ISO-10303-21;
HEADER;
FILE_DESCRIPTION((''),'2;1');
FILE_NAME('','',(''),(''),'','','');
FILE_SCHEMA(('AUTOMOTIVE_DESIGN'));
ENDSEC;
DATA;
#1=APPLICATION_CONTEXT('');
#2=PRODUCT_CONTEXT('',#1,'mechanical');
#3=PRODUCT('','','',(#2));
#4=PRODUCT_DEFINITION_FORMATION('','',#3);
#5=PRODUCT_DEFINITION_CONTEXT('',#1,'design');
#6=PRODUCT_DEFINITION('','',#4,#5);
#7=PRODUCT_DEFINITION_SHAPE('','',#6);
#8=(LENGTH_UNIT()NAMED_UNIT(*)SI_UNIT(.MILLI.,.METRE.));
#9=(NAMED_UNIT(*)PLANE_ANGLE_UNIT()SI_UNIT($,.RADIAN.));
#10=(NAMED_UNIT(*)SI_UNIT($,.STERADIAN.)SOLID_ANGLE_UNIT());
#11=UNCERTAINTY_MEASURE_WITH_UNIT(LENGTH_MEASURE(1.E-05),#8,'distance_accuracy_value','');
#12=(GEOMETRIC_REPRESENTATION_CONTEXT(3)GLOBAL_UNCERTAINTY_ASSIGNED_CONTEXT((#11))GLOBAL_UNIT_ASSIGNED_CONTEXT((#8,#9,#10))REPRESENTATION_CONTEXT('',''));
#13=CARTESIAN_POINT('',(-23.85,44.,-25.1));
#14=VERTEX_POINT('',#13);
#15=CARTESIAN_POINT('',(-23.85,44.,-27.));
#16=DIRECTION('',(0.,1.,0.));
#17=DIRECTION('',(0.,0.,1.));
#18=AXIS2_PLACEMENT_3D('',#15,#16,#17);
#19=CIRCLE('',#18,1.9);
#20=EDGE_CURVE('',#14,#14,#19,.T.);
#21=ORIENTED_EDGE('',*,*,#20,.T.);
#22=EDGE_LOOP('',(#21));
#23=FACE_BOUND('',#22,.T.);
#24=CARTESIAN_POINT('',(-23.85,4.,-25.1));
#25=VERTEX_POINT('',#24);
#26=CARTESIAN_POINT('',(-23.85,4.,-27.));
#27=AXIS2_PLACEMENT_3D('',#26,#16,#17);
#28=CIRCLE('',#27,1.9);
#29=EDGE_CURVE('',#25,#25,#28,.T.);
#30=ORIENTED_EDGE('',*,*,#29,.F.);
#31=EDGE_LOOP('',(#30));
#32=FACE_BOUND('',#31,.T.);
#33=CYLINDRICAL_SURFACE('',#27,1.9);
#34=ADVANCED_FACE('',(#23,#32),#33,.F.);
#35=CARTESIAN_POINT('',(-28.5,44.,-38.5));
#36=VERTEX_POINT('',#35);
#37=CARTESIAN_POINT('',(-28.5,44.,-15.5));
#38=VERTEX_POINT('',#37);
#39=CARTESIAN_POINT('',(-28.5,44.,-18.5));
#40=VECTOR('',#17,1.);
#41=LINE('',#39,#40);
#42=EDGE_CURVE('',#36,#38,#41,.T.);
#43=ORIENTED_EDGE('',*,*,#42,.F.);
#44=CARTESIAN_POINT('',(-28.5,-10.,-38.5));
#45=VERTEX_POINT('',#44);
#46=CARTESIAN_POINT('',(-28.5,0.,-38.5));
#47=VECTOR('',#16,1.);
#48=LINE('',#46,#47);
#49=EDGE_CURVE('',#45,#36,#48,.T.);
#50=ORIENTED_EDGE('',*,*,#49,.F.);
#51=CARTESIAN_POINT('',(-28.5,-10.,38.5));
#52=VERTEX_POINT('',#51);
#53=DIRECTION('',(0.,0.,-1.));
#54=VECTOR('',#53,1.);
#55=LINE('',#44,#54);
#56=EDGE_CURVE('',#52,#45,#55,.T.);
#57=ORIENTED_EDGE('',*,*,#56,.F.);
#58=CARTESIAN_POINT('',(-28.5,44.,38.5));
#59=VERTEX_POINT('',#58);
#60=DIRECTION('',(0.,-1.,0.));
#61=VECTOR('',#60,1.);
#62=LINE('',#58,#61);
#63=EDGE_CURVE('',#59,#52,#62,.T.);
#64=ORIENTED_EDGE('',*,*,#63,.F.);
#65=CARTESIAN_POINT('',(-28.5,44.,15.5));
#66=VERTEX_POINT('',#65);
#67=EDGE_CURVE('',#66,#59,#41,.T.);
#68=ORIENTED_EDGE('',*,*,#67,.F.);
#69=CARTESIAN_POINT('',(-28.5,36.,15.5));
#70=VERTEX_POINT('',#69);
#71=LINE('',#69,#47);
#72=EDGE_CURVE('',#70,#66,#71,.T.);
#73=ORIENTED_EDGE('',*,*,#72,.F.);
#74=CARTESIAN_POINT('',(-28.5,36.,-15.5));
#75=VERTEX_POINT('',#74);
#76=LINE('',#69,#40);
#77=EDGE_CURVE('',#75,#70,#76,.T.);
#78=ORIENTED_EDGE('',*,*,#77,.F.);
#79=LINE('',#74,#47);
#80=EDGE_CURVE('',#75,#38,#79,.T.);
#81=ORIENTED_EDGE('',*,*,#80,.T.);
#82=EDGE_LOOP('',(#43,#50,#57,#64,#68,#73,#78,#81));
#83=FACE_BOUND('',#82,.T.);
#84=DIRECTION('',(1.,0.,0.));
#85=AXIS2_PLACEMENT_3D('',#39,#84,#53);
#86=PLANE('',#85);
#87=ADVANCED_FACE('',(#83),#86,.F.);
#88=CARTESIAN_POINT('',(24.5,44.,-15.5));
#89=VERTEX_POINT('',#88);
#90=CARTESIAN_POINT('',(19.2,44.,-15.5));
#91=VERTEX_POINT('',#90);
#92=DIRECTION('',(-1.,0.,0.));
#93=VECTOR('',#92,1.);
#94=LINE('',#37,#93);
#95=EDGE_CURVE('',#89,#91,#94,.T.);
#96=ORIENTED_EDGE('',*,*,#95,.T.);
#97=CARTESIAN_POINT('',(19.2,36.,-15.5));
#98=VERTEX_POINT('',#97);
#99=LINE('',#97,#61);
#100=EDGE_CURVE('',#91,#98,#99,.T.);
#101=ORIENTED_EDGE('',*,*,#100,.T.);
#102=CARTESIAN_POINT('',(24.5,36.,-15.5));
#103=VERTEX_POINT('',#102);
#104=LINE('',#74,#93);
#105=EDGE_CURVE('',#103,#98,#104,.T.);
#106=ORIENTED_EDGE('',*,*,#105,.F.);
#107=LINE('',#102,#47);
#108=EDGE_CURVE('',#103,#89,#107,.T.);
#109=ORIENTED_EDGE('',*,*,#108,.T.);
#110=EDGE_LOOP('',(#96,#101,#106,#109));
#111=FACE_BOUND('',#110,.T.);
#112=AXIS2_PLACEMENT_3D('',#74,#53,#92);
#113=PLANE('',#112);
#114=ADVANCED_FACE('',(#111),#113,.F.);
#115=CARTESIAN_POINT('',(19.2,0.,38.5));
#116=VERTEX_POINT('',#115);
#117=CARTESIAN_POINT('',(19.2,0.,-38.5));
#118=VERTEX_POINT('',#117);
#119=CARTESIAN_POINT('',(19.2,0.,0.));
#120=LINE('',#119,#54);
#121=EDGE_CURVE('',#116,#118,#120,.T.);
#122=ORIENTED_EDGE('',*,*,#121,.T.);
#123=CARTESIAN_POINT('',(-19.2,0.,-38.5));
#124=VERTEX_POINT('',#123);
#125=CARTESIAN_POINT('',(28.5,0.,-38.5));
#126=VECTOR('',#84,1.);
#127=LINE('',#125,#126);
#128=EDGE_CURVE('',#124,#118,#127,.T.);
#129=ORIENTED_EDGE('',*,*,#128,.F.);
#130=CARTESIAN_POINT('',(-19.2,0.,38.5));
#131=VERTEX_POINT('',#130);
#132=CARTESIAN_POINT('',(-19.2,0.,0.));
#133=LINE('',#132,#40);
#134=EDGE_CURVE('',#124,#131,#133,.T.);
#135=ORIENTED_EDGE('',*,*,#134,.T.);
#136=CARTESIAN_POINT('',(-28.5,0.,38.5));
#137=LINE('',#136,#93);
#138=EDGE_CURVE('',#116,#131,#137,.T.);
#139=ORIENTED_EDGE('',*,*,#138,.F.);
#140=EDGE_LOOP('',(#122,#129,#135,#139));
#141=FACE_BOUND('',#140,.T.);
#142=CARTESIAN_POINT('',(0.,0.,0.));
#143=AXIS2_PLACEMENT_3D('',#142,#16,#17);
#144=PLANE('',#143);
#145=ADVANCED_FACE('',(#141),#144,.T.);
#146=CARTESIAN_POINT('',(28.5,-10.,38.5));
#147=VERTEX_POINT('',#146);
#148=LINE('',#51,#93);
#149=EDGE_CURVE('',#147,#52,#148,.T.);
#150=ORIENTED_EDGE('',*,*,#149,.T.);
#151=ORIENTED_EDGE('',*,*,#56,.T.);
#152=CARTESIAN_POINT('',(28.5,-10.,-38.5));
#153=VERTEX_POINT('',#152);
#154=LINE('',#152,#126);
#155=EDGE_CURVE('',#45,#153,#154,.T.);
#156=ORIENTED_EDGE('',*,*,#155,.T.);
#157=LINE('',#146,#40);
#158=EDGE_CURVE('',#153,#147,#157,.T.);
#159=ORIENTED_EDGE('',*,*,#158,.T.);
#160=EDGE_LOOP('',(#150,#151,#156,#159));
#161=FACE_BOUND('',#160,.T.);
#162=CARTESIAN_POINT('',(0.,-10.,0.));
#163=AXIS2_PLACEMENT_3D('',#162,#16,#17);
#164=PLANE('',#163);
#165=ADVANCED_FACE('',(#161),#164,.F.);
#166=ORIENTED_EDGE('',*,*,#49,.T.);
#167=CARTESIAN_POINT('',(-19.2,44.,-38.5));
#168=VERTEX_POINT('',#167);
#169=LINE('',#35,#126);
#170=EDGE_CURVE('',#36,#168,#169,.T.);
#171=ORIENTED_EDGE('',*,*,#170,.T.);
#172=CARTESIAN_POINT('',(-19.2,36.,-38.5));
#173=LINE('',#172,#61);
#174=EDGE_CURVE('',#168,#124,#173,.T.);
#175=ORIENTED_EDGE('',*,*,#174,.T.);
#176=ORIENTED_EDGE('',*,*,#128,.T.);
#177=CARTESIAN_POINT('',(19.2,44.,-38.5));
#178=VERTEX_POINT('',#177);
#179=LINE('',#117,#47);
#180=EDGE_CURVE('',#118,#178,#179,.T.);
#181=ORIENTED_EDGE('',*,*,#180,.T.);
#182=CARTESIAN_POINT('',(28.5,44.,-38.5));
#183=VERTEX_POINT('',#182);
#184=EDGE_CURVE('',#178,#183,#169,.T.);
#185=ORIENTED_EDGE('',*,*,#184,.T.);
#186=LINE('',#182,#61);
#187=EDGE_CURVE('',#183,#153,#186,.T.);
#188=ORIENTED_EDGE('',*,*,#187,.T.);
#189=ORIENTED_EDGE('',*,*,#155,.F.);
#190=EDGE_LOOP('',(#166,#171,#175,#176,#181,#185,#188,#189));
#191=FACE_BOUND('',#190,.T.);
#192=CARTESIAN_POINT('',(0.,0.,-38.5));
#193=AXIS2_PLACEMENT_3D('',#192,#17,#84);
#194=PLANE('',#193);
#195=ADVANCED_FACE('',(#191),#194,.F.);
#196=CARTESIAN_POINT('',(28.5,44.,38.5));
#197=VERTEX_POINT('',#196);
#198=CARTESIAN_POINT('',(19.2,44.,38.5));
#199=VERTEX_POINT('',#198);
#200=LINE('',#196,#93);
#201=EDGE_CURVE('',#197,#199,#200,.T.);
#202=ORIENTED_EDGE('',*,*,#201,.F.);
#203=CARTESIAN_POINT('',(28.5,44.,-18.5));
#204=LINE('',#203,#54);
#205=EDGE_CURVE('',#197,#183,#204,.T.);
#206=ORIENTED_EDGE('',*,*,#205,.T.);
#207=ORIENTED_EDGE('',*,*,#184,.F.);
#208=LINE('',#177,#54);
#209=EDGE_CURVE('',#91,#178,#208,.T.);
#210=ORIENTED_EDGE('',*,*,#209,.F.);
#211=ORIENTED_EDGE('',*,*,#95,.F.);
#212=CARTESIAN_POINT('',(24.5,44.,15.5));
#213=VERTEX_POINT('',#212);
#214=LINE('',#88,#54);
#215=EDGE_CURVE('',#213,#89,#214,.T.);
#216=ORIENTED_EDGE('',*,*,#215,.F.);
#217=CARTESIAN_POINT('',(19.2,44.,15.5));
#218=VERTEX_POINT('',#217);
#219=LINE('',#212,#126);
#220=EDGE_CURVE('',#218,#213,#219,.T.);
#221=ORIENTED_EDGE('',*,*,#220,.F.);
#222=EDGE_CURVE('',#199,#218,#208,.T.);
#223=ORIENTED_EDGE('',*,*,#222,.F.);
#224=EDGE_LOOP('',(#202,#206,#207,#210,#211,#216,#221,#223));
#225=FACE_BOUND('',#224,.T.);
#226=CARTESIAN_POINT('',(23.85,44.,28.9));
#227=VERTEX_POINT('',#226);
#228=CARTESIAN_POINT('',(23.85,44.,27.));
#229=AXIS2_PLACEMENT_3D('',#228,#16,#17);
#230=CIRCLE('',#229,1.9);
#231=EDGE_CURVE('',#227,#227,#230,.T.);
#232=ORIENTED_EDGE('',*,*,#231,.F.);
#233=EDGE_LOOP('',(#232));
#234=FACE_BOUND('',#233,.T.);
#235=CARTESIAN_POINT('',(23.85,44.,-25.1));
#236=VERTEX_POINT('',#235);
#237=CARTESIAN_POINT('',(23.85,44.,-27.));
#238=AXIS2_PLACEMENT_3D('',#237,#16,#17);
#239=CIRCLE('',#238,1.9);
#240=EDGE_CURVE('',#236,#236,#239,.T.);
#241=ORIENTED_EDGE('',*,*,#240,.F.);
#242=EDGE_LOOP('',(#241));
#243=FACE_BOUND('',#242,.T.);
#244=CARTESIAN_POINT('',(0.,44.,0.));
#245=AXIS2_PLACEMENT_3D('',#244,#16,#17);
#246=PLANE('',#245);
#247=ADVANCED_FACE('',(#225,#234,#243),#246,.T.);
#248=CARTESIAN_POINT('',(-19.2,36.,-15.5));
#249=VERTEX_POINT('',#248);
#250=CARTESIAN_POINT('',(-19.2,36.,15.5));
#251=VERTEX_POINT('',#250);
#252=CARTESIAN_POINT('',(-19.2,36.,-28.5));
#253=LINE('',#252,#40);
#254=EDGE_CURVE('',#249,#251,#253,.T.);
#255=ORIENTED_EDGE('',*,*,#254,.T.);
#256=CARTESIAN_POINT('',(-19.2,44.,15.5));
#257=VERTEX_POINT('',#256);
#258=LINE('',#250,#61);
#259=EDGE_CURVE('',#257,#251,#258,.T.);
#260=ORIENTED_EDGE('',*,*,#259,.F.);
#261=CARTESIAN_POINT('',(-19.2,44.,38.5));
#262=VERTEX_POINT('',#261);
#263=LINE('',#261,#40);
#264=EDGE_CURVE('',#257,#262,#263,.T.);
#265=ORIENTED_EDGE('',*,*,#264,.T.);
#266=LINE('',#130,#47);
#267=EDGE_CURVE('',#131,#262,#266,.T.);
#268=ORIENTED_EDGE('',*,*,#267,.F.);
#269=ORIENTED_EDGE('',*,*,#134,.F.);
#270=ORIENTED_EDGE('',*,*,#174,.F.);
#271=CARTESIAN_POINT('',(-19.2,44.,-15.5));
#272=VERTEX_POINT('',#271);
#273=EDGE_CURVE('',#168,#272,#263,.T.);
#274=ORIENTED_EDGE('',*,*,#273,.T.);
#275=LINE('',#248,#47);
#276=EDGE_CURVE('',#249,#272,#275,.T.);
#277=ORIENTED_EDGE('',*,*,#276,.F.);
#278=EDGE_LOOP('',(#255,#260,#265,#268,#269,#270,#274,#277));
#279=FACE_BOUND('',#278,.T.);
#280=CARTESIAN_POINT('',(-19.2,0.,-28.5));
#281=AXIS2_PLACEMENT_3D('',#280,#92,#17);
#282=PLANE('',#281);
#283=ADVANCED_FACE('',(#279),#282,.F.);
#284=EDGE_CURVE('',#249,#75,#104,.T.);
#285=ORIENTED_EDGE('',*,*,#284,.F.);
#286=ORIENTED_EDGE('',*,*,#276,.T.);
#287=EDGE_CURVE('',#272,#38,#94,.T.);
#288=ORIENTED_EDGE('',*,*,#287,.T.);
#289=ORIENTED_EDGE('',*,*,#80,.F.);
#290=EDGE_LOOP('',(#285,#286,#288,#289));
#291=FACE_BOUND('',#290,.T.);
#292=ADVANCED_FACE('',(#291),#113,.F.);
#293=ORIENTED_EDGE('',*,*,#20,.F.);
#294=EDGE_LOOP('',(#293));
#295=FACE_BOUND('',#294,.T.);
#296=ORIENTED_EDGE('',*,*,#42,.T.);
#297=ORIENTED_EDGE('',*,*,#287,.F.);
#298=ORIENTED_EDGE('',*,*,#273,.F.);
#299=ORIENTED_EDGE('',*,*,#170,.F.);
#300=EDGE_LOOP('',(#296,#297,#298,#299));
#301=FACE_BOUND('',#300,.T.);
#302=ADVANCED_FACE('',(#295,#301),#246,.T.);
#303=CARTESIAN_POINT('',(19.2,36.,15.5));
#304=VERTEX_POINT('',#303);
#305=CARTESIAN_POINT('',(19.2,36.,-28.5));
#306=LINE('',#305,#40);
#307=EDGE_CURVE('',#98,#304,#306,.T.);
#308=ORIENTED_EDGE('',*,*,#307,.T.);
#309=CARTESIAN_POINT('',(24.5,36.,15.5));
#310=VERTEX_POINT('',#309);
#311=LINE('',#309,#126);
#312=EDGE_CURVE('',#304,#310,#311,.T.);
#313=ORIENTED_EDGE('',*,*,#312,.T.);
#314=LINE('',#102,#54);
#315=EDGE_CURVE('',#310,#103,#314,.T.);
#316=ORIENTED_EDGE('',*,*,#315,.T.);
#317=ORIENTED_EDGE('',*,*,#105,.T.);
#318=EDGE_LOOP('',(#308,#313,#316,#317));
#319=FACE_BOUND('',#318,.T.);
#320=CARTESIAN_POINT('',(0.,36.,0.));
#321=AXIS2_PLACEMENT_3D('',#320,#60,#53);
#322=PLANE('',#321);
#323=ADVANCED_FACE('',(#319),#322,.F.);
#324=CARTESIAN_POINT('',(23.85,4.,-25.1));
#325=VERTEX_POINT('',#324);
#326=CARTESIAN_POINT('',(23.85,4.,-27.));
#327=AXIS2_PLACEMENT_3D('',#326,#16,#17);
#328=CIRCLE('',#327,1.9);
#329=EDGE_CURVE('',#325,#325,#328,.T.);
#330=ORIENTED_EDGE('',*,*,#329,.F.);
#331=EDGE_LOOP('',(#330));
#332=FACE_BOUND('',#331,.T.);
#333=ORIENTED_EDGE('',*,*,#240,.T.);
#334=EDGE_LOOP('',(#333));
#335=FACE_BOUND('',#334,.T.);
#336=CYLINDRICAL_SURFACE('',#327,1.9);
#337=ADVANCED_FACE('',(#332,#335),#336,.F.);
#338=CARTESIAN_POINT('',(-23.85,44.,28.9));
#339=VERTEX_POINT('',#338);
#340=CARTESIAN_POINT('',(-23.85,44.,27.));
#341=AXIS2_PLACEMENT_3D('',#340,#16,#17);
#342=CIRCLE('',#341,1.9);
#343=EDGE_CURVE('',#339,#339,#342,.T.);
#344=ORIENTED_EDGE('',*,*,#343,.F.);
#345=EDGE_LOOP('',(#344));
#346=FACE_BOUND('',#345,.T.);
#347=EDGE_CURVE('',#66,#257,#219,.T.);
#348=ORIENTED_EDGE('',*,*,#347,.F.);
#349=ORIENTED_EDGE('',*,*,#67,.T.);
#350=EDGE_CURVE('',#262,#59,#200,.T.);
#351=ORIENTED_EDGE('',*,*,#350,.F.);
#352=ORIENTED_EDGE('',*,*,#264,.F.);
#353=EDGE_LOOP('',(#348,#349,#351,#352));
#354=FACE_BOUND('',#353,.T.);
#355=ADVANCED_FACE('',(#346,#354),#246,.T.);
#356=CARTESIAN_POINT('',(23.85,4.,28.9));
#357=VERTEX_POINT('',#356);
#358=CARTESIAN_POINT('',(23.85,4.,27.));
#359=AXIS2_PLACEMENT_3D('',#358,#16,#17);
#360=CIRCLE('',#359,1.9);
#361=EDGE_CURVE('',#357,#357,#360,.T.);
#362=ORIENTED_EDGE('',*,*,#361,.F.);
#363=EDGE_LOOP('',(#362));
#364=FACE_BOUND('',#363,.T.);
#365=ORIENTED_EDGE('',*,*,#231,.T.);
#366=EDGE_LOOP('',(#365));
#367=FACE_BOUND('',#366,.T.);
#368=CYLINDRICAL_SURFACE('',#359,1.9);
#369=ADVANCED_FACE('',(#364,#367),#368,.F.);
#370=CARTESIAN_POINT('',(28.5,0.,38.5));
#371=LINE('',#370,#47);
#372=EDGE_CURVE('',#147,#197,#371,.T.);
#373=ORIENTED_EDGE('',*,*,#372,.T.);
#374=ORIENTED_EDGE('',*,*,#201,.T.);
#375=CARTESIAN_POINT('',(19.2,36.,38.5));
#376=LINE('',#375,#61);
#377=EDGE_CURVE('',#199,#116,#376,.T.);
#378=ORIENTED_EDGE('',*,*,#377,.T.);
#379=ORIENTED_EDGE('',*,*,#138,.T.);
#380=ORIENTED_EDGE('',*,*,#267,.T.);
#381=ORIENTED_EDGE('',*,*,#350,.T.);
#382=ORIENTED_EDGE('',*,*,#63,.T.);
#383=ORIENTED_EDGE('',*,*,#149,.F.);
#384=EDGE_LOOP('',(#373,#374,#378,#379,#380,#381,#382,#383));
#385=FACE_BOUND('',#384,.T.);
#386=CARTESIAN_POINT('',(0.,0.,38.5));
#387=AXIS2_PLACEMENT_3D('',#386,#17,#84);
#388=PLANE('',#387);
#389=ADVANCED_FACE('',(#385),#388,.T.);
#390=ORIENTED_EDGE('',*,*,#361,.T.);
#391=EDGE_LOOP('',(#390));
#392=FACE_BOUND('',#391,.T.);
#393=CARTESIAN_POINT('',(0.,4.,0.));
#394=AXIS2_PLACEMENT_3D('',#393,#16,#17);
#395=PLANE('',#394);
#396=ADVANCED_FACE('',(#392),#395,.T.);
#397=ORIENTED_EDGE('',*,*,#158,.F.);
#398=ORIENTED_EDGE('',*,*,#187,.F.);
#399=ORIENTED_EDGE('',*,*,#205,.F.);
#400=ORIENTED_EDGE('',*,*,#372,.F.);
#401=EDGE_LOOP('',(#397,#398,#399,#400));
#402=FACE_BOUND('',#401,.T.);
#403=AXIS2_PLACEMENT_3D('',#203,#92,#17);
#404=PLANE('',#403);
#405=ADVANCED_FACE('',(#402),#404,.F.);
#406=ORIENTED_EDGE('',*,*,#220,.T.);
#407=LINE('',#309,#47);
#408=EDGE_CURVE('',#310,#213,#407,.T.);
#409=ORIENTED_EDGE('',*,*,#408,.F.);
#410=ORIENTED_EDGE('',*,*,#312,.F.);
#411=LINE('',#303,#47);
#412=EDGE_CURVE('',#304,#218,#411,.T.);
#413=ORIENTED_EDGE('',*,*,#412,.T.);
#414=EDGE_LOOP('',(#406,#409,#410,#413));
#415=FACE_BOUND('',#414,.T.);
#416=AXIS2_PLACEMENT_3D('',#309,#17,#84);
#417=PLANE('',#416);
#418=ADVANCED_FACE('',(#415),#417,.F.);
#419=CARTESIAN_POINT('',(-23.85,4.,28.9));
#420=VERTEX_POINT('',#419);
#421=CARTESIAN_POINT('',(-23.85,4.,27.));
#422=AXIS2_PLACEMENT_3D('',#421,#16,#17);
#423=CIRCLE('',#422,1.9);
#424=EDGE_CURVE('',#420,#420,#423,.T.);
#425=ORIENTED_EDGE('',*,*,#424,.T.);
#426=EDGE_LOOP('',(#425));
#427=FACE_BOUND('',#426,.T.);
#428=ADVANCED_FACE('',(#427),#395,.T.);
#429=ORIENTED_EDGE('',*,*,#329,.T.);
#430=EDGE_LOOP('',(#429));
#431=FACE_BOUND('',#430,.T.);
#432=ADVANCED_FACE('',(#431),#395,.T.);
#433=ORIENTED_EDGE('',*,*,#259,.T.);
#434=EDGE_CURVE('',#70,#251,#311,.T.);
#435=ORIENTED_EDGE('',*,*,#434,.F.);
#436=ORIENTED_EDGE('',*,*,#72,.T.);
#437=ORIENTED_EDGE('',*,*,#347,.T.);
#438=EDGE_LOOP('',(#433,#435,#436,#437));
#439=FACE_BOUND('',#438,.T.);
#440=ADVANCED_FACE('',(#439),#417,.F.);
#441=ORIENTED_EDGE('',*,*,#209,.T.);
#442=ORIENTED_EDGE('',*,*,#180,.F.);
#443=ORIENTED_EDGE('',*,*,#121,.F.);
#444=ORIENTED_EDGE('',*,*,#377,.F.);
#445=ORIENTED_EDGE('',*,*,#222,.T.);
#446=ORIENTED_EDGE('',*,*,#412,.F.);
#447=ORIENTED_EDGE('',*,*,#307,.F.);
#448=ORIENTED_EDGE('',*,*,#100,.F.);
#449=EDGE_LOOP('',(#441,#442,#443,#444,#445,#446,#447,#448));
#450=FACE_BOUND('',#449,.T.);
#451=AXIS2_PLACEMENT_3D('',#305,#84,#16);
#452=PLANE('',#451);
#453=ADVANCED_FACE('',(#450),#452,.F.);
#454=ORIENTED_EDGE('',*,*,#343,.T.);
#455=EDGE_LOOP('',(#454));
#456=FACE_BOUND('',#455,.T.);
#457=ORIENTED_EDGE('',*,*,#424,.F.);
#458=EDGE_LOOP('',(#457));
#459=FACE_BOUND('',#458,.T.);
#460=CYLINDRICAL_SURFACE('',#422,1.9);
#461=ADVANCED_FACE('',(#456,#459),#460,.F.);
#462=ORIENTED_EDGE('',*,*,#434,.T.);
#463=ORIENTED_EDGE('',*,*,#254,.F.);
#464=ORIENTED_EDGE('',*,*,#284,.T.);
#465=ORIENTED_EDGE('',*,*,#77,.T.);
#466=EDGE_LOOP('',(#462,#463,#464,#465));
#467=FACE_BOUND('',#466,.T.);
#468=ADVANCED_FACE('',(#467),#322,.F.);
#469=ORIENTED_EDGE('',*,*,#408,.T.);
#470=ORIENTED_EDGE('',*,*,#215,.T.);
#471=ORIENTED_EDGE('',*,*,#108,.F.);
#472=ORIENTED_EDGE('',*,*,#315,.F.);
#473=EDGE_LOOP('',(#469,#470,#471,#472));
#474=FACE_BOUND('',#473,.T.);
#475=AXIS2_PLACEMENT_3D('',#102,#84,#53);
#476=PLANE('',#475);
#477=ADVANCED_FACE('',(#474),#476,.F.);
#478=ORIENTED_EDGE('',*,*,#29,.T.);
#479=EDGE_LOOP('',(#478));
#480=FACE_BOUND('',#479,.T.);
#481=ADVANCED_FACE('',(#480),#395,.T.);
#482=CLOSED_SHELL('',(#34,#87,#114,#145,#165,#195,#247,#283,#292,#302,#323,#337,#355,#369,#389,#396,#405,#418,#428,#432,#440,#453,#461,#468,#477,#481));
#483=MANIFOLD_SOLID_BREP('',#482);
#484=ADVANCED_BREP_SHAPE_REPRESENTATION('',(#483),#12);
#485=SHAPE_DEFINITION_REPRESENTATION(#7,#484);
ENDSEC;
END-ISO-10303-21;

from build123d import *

# Parameters (mm, degrees)
SKETCH1_W           = 57
SKETCH1_H           = 37
BOSS_EXTRUDE1_DEPTH = 44
SKETCH2_W           = 38.4
SKETCH2_H           = 36
CUT_EXTRUDE1_DEPTH  = 47
BOSS_EXTRUDE2_DEPTH = 20
BOSS_EXTRUDE3_DEPTH = 20
SKETCH7_W           = 53
SKETCH7_H           = 31
CUT_EXTRUDE4_DEPTH  = 8
SKETCH8_R           = 1.9
CUT_EXTRUDE5_DEPTH  = 40
SKETCH10_W          = 57
SKETCH10_H          = 77
BOSS_EXTRUDE4_DEPTH = 10
SKETCH12_W          = 38.4
SKETCH12_H          = 77
CUT_EXTRUDE6_DEPTH  = 8


with BuildPart() as part:
    # Sketch1 → Boss-Extrude1 (new body)
    with BuildSketch(Plane(origin=(0, 0, 0), x_dir=(1, 0, 0), z_dir=(0, 1, 0))):
        Rectangle(SKETCH1_W, SKETCH1_H)
    extrude(amount=BOSS_EXTRUDE1_DEPTH)

    # Sketch2 → Cut-Extrude1 (cut)
    with BuildSketch(Plane.XY.offset(18.5)):
        with Locations((0, 18)):
            Rectangle(SKETCH2_W, SKETCH2_H)
    extrude(amount=-CUT_EXTRUDE1_DEPTH, mode=Mode.SUBTRACT)

    # Sketch5 → Boss-Extrude2 (add)
    with BuildSketch(Plane(origin=(0, 0, -18.5), x_dir=(-1, 0, 0), z_dir=(0, 0, -1))):
        Polygon((-19.2, 36), (19.2, 36), (19.2, 0), (28.5, 0), (28.5, 44), (-28.5, 44), (-28.5, 0), (-19.2, 0), align=None)
    extrude(amount=BOSS_EXTRUDE2_DEPTH)

    # Sketch6 → Boss-Extrude3 (add)
    with BuildSketch(Plane.XY.offset(18.5)):
        Polygon((-28.5, 0), (-19.2, 0), (-19.2, 36), (19.2, 36), (19.2, 0), (28.5, 0), (28.5, 44), (-28.5, 44), align=None)
    extrude(amount=BOSS_EXTRUDE3_DEPTH)

    # Sketch7 → Cut-Extrude4 (cut)
    with BuildSketch(Plane(origin=(0, 44, 0), x_dir=(1, 0, 0), z_dir=(0, 1, 0))):
        with Locations((-2, 0)):
            Rectangle(SKETCH7_W, SKETCH7_H)
    extrude(amount=-CUT_EXTRUDE4_DEPTH, mode=Mode.SUBTRACT)

    # Sketch8 → Cut-Extrude5 (cut)
    with BuildSketch(Plane(origin=(0, 44, 0), x_dir=(1, 0, 0), z_dir=(0, 1, 0))):
        with Locations((-23.85, 27)):
            Circle(SKETCH8_R)
        with Locations((23.85, 27)):
            Circle(SKETCH8_R)
        with Locations((-23.85, -27)):
            Circle(SKETCH8_R)
        with Locations((23.85, -27)):
            Circle(SKETCH8_R)
    extrude(amount=-CUT_EXTRUDE5_DEPTH, mode=Mode.SUBTRACT)

    # Sketch10 → Boss-Extrude4 (add)
    with BuildSketch(Plane.XZ):
        Rectangle(SKETCH10_W, SKETCH10_H)
    extrude(amount=BOSS_EXTRUDE4_DEPTH)

    # Sketch12 → Cut-Extrude6 (cut)
    with BuildSketch(Plane(origin=(0, 44, 0), x_dir=(1, 0, 0), z_dir=(0, 1, 0))):
        Rectangle(SKETCH12_W, SKETCH12_H)
    extrude(amount=-CUT_EXTRUDE6_DEPTH, mode=Mode.SUBTRACT)


solid = part.part
